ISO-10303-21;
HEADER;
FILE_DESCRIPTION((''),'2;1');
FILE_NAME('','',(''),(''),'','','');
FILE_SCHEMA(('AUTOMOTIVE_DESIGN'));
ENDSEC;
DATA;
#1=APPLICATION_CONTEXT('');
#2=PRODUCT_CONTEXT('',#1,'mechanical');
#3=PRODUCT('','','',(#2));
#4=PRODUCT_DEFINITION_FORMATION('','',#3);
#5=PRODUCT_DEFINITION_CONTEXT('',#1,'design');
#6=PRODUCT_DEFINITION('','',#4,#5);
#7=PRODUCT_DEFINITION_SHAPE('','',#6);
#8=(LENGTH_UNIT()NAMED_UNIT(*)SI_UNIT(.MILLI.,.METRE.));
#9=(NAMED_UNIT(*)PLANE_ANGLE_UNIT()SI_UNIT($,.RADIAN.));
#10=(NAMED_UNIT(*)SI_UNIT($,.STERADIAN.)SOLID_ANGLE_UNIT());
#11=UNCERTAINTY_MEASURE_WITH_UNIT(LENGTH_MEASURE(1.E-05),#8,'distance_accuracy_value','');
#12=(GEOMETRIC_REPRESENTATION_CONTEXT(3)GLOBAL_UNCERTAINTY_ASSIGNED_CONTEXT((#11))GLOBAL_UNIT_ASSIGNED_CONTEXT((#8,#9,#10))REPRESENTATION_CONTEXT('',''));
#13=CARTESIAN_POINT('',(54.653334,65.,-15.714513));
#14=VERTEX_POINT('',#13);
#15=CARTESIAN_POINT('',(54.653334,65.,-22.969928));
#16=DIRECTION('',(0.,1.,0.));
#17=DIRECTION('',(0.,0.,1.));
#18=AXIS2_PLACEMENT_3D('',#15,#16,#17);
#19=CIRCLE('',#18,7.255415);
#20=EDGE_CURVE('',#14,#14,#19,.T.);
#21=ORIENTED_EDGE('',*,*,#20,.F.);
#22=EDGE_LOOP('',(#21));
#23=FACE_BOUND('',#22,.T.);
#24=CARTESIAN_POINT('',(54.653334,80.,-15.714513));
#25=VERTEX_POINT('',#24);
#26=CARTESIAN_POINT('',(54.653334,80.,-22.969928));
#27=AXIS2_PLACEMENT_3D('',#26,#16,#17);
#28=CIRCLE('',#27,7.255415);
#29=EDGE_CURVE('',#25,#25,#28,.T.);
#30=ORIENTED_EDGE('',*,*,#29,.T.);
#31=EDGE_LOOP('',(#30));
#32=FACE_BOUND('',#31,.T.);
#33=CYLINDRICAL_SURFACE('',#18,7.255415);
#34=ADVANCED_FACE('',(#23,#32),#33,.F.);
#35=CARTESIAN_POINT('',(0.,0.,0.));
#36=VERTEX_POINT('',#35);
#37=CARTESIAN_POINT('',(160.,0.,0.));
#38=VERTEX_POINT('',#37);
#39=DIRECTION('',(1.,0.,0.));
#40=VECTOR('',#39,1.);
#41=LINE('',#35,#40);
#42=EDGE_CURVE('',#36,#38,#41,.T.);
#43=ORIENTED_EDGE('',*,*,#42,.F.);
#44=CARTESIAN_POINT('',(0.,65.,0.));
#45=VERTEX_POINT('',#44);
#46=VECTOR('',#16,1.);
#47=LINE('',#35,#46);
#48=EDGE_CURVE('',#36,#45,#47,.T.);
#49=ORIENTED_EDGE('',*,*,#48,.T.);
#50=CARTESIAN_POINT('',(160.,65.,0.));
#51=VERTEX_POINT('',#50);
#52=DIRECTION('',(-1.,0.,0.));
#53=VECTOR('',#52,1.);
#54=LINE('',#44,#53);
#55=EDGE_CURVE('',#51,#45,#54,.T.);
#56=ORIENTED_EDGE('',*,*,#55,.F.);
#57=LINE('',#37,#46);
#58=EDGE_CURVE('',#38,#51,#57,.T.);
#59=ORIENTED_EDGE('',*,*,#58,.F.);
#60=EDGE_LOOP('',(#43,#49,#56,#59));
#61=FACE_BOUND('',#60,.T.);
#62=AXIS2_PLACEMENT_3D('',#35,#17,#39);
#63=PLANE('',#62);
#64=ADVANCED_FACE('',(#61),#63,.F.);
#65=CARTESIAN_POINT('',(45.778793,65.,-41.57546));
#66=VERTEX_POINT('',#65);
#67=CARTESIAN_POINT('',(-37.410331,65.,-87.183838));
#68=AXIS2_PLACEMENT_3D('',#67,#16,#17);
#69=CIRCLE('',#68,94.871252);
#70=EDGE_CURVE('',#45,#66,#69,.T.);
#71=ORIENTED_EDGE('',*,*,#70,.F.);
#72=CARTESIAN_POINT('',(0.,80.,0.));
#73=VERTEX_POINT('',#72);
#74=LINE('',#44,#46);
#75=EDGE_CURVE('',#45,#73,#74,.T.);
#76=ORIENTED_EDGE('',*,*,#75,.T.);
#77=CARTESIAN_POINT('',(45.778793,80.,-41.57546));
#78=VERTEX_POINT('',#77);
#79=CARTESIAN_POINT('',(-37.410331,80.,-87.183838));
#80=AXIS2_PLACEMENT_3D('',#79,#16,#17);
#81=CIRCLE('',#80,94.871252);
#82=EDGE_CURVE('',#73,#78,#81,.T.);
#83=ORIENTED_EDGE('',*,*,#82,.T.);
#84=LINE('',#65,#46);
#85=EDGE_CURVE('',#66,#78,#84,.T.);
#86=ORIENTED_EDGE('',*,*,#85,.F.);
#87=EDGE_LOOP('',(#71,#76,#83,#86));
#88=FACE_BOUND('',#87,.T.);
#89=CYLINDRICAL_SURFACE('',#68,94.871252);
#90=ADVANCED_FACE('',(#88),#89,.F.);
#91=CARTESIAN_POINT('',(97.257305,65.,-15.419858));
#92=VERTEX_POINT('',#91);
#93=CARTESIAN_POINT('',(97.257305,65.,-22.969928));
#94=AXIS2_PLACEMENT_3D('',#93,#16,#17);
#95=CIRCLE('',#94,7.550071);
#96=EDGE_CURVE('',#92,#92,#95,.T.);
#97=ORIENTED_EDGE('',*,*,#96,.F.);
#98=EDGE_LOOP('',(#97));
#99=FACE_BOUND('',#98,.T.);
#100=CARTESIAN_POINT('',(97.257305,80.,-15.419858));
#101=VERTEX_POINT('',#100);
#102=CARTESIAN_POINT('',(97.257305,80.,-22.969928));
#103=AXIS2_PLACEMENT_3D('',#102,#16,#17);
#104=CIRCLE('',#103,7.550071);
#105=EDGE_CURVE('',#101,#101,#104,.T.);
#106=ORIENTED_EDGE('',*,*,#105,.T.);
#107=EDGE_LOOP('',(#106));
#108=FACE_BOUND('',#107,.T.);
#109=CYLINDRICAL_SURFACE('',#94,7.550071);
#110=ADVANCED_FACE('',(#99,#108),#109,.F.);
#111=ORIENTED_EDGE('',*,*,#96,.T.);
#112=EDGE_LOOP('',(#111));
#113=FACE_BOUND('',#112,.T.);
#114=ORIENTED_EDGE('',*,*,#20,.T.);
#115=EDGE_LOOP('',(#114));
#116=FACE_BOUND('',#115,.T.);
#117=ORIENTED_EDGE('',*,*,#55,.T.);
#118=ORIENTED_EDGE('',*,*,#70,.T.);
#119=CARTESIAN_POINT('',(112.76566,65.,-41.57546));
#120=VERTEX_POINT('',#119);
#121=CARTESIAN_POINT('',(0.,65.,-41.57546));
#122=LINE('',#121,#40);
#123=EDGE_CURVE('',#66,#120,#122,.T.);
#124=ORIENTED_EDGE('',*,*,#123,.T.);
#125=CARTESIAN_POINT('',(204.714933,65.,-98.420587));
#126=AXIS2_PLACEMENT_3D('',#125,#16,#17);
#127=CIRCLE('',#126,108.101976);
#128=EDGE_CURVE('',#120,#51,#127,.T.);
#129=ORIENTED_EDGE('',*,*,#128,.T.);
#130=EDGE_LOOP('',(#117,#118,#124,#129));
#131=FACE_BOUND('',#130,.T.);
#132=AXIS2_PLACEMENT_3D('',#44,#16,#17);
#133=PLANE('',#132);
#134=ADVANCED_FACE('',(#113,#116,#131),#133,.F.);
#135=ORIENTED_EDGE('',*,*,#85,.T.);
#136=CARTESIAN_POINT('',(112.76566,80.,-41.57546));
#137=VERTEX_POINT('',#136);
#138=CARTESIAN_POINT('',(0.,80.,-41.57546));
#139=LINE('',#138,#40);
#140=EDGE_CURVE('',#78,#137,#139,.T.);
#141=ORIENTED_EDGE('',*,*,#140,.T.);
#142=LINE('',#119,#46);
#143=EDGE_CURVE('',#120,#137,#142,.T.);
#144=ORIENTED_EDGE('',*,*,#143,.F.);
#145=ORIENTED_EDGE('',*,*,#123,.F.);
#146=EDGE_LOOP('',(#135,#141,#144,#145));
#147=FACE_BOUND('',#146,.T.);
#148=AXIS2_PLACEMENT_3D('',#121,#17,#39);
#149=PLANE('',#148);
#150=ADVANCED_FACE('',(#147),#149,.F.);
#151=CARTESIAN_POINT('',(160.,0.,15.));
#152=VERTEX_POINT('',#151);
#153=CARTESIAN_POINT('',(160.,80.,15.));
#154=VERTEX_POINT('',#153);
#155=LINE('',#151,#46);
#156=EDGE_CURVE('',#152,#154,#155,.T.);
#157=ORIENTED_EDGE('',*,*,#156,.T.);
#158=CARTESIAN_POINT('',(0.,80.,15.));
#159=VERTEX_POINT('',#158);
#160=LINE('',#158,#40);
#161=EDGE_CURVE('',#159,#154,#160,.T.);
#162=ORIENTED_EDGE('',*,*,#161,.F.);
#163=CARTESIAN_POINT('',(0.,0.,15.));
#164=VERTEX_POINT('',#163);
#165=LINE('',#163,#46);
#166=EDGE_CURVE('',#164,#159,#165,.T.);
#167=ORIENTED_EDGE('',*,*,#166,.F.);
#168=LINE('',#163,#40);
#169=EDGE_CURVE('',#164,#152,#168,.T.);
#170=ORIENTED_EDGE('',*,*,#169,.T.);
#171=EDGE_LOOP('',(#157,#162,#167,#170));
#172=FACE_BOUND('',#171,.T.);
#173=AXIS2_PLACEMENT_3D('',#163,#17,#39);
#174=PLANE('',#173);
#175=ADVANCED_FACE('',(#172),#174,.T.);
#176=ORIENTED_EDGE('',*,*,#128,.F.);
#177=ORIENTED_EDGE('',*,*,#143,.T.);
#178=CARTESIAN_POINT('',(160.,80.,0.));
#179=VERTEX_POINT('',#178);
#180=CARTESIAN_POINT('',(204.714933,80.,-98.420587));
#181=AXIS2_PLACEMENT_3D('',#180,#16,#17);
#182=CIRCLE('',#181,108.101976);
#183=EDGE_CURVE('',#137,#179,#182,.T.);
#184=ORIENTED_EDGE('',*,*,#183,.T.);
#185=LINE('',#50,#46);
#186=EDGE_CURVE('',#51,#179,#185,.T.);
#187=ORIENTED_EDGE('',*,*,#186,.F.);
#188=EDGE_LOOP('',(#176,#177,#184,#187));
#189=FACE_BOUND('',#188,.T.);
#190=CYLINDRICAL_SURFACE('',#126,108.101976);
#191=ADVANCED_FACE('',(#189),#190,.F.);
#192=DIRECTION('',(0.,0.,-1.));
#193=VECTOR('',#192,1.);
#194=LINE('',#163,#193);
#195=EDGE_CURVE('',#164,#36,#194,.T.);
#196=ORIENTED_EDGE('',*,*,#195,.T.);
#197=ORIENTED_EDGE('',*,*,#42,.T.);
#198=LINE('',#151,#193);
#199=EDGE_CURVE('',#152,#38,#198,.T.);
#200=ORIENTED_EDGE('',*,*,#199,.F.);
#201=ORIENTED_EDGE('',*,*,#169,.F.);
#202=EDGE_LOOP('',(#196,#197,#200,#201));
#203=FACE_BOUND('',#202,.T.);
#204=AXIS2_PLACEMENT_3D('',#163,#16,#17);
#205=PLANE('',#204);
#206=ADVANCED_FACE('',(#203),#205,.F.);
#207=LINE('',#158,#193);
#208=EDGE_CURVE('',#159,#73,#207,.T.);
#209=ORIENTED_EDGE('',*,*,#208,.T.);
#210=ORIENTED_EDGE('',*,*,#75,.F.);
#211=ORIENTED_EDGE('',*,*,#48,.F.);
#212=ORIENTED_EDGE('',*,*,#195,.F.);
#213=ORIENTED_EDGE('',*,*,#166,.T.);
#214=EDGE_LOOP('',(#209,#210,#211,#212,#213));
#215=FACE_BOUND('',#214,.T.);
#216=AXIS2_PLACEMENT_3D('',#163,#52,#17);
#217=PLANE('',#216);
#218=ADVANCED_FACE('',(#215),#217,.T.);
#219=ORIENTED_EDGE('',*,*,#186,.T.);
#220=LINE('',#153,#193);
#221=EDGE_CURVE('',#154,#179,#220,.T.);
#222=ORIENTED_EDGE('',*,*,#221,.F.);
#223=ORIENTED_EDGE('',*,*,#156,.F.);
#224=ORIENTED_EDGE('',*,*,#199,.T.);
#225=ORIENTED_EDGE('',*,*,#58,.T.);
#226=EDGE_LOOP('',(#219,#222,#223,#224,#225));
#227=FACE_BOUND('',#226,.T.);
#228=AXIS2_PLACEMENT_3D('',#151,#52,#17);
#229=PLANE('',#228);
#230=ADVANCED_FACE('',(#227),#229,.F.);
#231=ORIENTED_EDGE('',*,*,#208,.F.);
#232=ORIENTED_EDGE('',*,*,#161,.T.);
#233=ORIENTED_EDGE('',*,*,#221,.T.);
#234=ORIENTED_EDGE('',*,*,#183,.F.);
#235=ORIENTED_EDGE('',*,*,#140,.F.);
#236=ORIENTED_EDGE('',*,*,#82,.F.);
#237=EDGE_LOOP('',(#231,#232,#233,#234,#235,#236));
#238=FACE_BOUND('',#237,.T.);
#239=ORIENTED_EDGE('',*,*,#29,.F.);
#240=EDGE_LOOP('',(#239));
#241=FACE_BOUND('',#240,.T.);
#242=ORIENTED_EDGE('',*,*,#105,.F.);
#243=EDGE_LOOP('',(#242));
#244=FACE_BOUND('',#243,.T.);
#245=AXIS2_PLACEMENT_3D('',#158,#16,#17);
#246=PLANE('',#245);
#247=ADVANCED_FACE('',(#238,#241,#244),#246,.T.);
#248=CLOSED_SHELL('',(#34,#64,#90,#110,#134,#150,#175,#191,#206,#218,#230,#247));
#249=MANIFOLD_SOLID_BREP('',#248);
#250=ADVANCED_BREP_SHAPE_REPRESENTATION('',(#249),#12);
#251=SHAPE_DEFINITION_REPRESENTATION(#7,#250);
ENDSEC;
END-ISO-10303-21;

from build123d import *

# Parameters (mm, degrees)
SKETCH1_W           = 160
SKETCH1_H           = 80
BOSS_EXTRUDE1_DEPTH = 15
SKETCH2_R           = 7.550070769
SKETCH2_R_2         = 7.255415261
BOSS_EXTRUDE2_DEPTH = 15


with BuildPart() as part:
    # Sketch1 → Boss-Extrude1 (new body)
    with BuildSketch(Plane.XY):
        with Locations((80, 40)):
            Rectangle(SKETCH1_W, SKETCH1_H)
    extrude(amount=BOSS_EXTRUDE1_DEPTH)

    # Sketch2 → Boss-Extrude2 (add)
    with BuildSketch(Plane(origin=(0, 80, 0), x_dir=(1, 0, 0), z_dir=(0, 1, 0))):
        with BuildLine():
            ThreePointArc((112.765660055, 41.575459997), (133.290805297, 17.274846503), (160, 0))
            Line((160, 0), (0, 0))
            ThreePointArc((0, 0), (26.372008671, 16.953021182), (45.778792932, 41.575459997))
            Line((45.778792932, 41.575459997), (112.765660055, 41.575459997))
        make_face()
        with Locations(Location((97.257304614, 22.969928459, 0), (0, 0, 270))):
            Circle(SKETCH2_R, mode=Mode.SUBTRACT)
        with Locations(Location((54.653333848, 22.969928459, 0), (0, 0, 270))):
            Circle(SKETCH2_R_2, mode=Mode.SUBTRACT)
    extrude(amount=-BOSS_EXTRUDE2_DEPTH)


solid = part.part
